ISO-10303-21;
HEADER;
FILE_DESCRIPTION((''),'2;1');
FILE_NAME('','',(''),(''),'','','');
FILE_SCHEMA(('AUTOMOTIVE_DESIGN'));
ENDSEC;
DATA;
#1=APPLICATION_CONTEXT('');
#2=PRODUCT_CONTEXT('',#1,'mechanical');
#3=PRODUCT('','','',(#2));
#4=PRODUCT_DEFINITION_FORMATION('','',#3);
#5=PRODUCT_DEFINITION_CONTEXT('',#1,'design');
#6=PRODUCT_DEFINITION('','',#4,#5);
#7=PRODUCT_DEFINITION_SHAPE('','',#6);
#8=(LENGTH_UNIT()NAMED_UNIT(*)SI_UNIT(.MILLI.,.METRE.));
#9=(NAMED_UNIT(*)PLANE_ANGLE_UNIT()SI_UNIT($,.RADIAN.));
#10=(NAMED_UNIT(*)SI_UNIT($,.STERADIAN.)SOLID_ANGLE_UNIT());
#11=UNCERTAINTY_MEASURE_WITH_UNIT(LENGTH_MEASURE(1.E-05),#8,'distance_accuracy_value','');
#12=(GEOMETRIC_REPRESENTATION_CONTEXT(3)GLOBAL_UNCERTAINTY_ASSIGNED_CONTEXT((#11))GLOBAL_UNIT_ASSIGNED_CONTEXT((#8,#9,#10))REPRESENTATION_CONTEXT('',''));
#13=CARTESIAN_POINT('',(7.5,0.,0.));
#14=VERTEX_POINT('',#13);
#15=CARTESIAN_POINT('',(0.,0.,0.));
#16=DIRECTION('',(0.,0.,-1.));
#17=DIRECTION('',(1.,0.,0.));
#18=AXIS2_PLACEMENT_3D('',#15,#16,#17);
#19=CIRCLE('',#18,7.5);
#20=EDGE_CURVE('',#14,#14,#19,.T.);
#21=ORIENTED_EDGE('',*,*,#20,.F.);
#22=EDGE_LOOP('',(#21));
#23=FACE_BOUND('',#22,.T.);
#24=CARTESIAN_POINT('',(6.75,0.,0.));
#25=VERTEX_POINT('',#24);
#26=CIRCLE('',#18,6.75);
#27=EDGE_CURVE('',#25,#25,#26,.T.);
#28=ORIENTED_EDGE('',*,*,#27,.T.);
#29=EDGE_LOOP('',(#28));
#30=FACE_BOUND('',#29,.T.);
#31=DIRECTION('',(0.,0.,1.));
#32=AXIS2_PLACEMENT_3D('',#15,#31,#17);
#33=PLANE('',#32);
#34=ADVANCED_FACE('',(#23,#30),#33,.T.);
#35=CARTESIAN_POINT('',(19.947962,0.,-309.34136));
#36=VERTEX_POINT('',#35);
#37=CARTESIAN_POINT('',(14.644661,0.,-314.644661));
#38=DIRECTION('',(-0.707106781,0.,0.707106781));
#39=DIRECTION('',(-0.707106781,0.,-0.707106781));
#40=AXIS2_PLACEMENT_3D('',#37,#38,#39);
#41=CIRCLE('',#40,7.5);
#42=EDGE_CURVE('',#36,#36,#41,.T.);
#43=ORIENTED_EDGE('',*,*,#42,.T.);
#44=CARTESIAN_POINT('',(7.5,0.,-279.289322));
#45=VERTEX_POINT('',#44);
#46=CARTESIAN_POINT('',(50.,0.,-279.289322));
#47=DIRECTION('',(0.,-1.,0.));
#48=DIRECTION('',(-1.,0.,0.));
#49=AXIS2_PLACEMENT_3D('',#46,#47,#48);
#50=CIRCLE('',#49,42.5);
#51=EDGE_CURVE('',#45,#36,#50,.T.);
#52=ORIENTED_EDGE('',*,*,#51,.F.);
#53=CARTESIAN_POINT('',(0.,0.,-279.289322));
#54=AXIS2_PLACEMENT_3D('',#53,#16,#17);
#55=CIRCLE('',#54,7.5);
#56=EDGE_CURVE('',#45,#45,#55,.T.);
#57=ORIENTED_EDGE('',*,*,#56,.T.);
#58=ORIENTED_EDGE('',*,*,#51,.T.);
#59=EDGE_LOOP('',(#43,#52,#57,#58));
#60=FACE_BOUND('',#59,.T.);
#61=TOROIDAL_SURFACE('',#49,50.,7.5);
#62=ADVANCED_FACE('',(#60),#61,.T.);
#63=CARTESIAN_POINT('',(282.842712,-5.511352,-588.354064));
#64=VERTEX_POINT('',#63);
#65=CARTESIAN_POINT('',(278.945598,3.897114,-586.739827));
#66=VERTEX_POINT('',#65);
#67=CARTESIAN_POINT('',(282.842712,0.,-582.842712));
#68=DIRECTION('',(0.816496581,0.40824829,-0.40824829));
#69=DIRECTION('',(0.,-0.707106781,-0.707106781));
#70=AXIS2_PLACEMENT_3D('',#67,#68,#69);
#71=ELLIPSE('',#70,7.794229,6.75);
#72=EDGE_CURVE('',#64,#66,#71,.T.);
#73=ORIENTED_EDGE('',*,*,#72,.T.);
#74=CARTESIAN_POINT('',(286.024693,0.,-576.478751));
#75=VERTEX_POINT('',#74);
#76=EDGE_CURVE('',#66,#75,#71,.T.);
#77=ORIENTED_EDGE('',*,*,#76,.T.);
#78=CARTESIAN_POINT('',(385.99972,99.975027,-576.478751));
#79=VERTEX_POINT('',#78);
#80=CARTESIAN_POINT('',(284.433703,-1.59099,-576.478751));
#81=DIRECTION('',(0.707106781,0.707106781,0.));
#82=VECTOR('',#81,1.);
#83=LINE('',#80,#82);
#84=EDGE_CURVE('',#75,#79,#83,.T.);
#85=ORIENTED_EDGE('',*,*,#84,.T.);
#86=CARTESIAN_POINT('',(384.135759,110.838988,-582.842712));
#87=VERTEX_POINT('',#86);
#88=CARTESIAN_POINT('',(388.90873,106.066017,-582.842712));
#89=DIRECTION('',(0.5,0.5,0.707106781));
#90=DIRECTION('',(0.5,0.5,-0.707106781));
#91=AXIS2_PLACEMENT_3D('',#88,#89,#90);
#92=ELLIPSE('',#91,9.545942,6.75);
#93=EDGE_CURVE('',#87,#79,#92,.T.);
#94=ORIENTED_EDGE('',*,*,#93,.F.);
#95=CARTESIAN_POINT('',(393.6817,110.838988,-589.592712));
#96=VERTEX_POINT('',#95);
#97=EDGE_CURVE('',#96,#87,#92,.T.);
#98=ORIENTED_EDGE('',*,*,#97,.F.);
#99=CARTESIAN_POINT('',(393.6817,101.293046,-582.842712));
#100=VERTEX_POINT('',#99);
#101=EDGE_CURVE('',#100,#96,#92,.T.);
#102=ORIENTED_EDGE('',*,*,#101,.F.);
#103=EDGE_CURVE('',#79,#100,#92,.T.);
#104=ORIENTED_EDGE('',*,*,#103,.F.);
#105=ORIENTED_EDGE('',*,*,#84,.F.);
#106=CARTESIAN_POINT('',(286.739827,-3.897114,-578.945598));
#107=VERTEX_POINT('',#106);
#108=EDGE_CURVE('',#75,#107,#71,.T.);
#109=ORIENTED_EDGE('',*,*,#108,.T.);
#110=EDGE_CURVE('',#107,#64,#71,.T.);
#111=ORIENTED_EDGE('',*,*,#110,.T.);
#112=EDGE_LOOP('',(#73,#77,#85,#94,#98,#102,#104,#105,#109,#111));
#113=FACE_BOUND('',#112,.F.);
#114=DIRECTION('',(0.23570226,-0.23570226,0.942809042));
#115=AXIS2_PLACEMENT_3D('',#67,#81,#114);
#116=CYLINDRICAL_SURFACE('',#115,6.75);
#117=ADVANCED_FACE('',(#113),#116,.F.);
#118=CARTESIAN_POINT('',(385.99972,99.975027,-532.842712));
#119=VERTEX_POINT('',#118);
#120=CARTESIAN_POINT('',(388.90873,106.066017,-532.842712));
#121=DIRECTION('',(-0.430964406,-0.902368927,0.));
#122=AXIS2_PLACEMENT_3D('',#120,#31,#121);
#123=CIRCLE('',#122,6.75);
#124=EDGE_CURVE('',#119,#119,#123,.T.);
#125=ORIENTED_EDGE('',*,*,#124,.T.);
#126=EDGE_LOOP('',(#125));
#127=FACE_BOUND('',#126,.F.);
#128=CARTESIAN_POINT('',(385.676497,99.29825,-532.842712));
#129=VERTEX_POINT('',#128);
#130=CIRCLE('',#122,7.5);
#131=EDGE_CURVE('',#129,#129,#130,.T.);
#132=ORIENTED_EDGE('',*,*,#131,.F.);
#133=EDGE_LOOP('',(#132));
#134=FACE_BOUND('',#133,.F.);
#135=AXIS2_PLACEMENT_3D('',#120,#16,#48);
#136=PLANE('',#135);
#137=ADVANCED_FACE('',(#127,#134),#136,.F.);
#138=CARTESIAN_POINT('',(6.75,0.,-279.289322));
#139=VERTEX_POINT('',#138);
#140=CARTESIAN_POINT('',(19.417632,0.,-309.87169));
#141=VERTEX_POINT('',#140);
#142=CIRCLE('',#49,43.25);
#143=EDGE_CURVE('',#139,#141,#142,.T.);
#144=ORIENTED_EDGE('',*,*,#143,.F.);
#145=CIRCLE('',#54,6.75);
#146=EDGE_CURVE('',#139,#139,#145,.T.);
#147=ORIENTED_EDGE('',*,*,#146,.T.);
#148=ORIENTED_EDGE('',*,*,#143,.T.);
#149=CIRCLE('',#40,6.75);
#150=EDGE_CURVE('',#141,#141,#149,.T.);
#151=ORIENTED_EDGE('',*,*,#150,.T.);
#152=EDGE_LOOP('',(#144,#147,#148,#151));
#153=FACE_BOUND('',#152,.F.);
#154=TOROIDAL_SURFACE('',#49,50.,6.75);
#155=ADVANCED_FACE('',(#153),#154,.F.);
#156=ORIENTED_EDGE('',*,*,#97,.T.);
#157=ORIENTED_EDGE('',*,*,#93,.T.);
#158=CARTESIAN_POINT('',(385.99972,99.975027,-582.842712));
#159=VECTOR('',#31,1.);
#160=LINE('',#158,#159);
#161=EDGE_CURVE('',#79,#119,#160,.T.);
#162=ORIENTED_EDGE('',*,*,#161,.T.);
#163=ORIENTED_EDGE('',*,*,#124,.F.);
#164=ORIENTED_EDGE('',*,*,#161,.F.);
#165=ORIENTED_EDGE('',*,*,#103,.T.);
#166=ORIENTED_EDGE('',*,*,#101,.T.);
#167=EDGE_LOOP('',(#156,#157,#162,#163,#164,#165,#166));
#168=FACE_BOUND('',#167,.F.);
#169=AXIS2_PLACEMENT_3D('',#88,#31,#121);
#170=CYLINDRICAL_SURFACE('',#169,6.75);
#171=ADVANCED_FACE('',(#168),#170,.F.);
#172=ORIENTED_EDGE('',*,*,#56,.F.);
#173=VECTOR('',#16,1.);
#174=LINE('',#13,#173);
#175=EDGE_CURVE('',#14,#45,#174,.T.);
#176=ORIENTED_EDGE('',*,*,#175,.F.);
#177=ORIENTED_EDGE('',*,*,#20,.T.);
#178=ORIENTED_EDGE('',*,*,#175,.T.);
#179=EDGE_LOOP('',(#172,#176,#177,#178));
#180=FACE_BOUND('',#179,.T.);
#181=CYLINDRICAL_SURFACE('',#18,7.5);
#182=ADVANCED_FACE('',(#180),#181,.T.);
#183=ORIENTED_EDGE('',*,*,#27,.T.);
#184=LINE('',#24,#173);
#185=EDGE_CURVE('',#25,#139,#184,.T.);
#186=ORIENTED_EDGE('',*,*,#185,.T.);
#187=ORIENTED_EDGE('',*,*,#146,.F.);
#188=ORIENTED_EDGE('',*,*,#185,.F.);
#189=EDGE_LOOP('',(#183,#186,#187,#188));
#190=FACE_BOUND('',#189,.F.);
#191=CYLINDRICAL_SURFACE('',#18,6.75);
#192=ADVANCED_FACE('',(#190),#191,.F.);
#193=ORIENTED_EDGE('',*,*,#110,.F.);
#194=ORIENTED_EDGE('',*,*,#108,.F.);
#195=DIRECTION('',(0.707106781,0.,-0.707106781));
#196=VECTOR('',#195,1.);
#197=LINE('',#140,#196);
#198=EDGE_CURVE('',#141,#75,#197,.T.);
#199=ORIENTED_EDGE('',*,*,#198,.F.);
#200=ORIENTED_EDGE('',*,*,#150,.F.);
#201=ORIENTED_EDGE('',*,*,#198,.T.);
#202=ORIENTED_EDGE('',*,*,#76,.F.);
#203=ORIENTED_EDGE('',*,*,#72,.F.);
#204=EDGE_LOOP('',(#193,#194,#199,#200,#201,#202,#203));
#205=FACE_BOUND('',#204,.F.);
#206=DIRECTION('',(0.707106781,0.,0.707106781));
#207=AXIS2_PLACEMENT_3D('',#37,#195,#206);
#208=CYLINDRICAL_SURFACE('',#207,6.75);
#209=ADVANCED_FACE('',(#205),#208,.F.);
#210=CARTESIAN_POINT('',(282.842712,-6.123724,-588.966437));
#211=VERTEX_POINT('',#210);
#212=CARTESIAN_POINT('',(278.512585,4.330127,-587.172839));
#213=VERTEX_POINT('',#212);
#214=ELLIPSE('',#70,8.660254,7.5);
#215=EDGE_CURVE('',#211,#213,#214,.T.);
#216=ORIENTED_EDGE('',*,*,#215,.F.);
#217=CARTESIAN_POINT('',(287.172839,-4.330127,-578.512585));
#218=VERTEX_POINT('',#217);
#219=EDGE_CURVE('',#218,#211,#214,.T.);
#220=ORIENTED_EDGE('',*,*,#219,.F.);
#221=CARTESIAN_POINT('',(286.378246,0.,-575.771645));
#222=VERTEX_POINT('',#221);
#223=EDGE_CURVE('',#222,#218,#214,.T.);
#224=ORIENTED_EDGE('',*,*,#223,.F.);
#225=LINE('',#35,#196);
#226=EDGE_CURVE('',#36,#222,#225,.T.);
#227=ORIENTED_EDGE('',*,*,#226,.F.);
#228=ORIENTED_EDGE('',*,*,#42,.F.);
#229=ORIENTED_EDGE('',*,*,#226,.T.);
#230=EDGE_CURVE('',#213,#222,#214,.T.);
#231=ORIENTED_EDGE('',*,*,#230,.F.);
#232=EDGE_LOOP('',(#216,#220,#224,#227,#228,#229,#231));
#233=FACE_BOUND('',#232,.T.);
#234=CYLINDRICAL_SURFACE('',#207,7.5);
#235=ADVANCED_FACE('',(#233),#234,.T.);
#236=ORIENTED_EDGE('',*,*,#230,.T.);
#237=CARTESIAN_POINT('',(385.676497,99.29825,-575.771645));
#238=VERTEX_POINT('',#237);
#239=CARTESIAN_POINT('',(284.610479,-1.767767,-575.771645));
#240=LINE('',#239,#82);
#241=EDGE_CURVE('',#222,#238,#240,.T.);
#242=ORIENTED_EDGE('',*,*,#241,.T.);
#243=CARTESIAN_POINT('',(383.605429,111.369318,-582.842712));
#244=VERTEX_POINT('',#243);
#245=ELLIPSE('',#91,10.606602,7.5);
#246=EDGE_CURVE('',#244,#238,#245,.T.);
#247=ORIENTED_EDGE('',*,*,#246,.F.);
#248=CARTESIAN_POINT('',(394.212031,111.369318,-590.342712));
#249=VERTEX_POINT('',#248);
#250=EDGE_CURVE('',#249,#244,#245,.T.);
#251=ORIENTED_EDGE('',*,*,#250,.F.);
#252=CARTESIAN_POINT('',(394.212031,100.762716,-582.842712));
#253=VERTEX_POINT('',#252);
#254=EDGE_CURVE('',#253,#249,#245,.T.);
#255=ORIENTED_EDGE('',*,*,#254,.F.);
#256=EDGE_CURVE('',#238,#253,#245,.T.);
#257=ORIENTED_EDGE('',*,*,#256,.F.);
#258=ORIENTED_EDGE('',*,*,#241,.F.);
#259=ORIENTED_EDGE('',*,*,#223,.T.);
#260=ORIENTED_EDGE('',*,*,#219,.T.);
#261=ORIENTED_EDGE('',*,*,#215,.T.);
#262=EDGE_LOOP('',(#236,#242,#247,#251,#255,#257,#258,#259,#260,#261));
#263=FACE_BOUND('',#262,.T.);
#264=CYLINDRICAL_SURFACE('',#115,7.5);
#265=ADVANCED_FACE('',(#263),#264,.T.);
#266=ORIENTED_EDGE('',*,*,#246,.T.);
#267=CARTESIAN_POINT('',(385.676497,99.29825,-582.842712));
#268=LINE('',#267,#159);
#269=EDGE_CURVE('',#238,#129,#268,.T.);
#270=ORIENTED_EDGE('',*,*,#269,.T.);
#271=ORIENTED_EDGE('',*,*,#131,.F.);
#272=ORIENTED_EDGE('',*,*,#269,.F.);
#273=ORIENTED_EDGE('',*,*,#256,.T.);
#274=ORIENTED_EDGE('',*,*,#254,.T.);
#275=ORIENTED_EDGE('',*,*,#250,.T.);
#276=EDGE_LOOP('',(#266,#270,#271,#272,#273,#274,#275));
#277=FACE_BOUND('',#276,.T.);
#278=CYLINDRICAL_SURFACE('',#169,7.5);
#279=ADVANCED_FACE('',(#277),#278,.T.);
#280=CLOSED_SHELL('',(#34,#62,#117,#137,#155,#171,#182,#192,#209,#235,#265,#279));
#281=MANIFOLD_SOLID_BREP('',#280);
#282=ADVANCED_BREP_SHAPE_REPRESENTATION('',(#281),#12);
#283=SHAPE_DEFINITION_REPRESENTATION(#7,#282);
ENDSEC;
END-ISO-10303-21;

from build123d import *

# Parameters (mm, degrees)
F5_R   = 7.5
F5_R_2 = 6.75


with BuildPart() as f6:
    # F6: sweep along a path in F0, F2, F4
    with BuildLine(Plane.XZ) as f6_path:
        Line((0, 0), (0, -279.2893218813))
        ThreePointArc((0, -279.2893218813), (3.8060233744, -298.4234934996), (14.6446609407, -314.6446609407))
        Line((14.6446609407, -314.6446609407), (282.8427124746, -582.8427124746))
    with BuildLine(Plane.XY.offset(-582.8427124746)) as f6_path_2:
        Line((282.8427124746, 0), (388.9087296526, 106.066017178))
    with BuildLine(Plane.XZ.offset(-106.066017178)) as f6_path_3:
        Line((388.9087296526, -582.8427124746), (388.9087296526, -532.8427124746))
    # F5 (on Top) → F6 (sweep)
    with BuildSketch(Plane.XY):
        Circle(F5_R)
        Circle(F5_R_2, mode=Mode.SUBTRACT)
    sweep(path=f6_path.line + f6_path_2.line + f6_path_3.line, transition=Transition.RIGHT)


solid = f6.part
